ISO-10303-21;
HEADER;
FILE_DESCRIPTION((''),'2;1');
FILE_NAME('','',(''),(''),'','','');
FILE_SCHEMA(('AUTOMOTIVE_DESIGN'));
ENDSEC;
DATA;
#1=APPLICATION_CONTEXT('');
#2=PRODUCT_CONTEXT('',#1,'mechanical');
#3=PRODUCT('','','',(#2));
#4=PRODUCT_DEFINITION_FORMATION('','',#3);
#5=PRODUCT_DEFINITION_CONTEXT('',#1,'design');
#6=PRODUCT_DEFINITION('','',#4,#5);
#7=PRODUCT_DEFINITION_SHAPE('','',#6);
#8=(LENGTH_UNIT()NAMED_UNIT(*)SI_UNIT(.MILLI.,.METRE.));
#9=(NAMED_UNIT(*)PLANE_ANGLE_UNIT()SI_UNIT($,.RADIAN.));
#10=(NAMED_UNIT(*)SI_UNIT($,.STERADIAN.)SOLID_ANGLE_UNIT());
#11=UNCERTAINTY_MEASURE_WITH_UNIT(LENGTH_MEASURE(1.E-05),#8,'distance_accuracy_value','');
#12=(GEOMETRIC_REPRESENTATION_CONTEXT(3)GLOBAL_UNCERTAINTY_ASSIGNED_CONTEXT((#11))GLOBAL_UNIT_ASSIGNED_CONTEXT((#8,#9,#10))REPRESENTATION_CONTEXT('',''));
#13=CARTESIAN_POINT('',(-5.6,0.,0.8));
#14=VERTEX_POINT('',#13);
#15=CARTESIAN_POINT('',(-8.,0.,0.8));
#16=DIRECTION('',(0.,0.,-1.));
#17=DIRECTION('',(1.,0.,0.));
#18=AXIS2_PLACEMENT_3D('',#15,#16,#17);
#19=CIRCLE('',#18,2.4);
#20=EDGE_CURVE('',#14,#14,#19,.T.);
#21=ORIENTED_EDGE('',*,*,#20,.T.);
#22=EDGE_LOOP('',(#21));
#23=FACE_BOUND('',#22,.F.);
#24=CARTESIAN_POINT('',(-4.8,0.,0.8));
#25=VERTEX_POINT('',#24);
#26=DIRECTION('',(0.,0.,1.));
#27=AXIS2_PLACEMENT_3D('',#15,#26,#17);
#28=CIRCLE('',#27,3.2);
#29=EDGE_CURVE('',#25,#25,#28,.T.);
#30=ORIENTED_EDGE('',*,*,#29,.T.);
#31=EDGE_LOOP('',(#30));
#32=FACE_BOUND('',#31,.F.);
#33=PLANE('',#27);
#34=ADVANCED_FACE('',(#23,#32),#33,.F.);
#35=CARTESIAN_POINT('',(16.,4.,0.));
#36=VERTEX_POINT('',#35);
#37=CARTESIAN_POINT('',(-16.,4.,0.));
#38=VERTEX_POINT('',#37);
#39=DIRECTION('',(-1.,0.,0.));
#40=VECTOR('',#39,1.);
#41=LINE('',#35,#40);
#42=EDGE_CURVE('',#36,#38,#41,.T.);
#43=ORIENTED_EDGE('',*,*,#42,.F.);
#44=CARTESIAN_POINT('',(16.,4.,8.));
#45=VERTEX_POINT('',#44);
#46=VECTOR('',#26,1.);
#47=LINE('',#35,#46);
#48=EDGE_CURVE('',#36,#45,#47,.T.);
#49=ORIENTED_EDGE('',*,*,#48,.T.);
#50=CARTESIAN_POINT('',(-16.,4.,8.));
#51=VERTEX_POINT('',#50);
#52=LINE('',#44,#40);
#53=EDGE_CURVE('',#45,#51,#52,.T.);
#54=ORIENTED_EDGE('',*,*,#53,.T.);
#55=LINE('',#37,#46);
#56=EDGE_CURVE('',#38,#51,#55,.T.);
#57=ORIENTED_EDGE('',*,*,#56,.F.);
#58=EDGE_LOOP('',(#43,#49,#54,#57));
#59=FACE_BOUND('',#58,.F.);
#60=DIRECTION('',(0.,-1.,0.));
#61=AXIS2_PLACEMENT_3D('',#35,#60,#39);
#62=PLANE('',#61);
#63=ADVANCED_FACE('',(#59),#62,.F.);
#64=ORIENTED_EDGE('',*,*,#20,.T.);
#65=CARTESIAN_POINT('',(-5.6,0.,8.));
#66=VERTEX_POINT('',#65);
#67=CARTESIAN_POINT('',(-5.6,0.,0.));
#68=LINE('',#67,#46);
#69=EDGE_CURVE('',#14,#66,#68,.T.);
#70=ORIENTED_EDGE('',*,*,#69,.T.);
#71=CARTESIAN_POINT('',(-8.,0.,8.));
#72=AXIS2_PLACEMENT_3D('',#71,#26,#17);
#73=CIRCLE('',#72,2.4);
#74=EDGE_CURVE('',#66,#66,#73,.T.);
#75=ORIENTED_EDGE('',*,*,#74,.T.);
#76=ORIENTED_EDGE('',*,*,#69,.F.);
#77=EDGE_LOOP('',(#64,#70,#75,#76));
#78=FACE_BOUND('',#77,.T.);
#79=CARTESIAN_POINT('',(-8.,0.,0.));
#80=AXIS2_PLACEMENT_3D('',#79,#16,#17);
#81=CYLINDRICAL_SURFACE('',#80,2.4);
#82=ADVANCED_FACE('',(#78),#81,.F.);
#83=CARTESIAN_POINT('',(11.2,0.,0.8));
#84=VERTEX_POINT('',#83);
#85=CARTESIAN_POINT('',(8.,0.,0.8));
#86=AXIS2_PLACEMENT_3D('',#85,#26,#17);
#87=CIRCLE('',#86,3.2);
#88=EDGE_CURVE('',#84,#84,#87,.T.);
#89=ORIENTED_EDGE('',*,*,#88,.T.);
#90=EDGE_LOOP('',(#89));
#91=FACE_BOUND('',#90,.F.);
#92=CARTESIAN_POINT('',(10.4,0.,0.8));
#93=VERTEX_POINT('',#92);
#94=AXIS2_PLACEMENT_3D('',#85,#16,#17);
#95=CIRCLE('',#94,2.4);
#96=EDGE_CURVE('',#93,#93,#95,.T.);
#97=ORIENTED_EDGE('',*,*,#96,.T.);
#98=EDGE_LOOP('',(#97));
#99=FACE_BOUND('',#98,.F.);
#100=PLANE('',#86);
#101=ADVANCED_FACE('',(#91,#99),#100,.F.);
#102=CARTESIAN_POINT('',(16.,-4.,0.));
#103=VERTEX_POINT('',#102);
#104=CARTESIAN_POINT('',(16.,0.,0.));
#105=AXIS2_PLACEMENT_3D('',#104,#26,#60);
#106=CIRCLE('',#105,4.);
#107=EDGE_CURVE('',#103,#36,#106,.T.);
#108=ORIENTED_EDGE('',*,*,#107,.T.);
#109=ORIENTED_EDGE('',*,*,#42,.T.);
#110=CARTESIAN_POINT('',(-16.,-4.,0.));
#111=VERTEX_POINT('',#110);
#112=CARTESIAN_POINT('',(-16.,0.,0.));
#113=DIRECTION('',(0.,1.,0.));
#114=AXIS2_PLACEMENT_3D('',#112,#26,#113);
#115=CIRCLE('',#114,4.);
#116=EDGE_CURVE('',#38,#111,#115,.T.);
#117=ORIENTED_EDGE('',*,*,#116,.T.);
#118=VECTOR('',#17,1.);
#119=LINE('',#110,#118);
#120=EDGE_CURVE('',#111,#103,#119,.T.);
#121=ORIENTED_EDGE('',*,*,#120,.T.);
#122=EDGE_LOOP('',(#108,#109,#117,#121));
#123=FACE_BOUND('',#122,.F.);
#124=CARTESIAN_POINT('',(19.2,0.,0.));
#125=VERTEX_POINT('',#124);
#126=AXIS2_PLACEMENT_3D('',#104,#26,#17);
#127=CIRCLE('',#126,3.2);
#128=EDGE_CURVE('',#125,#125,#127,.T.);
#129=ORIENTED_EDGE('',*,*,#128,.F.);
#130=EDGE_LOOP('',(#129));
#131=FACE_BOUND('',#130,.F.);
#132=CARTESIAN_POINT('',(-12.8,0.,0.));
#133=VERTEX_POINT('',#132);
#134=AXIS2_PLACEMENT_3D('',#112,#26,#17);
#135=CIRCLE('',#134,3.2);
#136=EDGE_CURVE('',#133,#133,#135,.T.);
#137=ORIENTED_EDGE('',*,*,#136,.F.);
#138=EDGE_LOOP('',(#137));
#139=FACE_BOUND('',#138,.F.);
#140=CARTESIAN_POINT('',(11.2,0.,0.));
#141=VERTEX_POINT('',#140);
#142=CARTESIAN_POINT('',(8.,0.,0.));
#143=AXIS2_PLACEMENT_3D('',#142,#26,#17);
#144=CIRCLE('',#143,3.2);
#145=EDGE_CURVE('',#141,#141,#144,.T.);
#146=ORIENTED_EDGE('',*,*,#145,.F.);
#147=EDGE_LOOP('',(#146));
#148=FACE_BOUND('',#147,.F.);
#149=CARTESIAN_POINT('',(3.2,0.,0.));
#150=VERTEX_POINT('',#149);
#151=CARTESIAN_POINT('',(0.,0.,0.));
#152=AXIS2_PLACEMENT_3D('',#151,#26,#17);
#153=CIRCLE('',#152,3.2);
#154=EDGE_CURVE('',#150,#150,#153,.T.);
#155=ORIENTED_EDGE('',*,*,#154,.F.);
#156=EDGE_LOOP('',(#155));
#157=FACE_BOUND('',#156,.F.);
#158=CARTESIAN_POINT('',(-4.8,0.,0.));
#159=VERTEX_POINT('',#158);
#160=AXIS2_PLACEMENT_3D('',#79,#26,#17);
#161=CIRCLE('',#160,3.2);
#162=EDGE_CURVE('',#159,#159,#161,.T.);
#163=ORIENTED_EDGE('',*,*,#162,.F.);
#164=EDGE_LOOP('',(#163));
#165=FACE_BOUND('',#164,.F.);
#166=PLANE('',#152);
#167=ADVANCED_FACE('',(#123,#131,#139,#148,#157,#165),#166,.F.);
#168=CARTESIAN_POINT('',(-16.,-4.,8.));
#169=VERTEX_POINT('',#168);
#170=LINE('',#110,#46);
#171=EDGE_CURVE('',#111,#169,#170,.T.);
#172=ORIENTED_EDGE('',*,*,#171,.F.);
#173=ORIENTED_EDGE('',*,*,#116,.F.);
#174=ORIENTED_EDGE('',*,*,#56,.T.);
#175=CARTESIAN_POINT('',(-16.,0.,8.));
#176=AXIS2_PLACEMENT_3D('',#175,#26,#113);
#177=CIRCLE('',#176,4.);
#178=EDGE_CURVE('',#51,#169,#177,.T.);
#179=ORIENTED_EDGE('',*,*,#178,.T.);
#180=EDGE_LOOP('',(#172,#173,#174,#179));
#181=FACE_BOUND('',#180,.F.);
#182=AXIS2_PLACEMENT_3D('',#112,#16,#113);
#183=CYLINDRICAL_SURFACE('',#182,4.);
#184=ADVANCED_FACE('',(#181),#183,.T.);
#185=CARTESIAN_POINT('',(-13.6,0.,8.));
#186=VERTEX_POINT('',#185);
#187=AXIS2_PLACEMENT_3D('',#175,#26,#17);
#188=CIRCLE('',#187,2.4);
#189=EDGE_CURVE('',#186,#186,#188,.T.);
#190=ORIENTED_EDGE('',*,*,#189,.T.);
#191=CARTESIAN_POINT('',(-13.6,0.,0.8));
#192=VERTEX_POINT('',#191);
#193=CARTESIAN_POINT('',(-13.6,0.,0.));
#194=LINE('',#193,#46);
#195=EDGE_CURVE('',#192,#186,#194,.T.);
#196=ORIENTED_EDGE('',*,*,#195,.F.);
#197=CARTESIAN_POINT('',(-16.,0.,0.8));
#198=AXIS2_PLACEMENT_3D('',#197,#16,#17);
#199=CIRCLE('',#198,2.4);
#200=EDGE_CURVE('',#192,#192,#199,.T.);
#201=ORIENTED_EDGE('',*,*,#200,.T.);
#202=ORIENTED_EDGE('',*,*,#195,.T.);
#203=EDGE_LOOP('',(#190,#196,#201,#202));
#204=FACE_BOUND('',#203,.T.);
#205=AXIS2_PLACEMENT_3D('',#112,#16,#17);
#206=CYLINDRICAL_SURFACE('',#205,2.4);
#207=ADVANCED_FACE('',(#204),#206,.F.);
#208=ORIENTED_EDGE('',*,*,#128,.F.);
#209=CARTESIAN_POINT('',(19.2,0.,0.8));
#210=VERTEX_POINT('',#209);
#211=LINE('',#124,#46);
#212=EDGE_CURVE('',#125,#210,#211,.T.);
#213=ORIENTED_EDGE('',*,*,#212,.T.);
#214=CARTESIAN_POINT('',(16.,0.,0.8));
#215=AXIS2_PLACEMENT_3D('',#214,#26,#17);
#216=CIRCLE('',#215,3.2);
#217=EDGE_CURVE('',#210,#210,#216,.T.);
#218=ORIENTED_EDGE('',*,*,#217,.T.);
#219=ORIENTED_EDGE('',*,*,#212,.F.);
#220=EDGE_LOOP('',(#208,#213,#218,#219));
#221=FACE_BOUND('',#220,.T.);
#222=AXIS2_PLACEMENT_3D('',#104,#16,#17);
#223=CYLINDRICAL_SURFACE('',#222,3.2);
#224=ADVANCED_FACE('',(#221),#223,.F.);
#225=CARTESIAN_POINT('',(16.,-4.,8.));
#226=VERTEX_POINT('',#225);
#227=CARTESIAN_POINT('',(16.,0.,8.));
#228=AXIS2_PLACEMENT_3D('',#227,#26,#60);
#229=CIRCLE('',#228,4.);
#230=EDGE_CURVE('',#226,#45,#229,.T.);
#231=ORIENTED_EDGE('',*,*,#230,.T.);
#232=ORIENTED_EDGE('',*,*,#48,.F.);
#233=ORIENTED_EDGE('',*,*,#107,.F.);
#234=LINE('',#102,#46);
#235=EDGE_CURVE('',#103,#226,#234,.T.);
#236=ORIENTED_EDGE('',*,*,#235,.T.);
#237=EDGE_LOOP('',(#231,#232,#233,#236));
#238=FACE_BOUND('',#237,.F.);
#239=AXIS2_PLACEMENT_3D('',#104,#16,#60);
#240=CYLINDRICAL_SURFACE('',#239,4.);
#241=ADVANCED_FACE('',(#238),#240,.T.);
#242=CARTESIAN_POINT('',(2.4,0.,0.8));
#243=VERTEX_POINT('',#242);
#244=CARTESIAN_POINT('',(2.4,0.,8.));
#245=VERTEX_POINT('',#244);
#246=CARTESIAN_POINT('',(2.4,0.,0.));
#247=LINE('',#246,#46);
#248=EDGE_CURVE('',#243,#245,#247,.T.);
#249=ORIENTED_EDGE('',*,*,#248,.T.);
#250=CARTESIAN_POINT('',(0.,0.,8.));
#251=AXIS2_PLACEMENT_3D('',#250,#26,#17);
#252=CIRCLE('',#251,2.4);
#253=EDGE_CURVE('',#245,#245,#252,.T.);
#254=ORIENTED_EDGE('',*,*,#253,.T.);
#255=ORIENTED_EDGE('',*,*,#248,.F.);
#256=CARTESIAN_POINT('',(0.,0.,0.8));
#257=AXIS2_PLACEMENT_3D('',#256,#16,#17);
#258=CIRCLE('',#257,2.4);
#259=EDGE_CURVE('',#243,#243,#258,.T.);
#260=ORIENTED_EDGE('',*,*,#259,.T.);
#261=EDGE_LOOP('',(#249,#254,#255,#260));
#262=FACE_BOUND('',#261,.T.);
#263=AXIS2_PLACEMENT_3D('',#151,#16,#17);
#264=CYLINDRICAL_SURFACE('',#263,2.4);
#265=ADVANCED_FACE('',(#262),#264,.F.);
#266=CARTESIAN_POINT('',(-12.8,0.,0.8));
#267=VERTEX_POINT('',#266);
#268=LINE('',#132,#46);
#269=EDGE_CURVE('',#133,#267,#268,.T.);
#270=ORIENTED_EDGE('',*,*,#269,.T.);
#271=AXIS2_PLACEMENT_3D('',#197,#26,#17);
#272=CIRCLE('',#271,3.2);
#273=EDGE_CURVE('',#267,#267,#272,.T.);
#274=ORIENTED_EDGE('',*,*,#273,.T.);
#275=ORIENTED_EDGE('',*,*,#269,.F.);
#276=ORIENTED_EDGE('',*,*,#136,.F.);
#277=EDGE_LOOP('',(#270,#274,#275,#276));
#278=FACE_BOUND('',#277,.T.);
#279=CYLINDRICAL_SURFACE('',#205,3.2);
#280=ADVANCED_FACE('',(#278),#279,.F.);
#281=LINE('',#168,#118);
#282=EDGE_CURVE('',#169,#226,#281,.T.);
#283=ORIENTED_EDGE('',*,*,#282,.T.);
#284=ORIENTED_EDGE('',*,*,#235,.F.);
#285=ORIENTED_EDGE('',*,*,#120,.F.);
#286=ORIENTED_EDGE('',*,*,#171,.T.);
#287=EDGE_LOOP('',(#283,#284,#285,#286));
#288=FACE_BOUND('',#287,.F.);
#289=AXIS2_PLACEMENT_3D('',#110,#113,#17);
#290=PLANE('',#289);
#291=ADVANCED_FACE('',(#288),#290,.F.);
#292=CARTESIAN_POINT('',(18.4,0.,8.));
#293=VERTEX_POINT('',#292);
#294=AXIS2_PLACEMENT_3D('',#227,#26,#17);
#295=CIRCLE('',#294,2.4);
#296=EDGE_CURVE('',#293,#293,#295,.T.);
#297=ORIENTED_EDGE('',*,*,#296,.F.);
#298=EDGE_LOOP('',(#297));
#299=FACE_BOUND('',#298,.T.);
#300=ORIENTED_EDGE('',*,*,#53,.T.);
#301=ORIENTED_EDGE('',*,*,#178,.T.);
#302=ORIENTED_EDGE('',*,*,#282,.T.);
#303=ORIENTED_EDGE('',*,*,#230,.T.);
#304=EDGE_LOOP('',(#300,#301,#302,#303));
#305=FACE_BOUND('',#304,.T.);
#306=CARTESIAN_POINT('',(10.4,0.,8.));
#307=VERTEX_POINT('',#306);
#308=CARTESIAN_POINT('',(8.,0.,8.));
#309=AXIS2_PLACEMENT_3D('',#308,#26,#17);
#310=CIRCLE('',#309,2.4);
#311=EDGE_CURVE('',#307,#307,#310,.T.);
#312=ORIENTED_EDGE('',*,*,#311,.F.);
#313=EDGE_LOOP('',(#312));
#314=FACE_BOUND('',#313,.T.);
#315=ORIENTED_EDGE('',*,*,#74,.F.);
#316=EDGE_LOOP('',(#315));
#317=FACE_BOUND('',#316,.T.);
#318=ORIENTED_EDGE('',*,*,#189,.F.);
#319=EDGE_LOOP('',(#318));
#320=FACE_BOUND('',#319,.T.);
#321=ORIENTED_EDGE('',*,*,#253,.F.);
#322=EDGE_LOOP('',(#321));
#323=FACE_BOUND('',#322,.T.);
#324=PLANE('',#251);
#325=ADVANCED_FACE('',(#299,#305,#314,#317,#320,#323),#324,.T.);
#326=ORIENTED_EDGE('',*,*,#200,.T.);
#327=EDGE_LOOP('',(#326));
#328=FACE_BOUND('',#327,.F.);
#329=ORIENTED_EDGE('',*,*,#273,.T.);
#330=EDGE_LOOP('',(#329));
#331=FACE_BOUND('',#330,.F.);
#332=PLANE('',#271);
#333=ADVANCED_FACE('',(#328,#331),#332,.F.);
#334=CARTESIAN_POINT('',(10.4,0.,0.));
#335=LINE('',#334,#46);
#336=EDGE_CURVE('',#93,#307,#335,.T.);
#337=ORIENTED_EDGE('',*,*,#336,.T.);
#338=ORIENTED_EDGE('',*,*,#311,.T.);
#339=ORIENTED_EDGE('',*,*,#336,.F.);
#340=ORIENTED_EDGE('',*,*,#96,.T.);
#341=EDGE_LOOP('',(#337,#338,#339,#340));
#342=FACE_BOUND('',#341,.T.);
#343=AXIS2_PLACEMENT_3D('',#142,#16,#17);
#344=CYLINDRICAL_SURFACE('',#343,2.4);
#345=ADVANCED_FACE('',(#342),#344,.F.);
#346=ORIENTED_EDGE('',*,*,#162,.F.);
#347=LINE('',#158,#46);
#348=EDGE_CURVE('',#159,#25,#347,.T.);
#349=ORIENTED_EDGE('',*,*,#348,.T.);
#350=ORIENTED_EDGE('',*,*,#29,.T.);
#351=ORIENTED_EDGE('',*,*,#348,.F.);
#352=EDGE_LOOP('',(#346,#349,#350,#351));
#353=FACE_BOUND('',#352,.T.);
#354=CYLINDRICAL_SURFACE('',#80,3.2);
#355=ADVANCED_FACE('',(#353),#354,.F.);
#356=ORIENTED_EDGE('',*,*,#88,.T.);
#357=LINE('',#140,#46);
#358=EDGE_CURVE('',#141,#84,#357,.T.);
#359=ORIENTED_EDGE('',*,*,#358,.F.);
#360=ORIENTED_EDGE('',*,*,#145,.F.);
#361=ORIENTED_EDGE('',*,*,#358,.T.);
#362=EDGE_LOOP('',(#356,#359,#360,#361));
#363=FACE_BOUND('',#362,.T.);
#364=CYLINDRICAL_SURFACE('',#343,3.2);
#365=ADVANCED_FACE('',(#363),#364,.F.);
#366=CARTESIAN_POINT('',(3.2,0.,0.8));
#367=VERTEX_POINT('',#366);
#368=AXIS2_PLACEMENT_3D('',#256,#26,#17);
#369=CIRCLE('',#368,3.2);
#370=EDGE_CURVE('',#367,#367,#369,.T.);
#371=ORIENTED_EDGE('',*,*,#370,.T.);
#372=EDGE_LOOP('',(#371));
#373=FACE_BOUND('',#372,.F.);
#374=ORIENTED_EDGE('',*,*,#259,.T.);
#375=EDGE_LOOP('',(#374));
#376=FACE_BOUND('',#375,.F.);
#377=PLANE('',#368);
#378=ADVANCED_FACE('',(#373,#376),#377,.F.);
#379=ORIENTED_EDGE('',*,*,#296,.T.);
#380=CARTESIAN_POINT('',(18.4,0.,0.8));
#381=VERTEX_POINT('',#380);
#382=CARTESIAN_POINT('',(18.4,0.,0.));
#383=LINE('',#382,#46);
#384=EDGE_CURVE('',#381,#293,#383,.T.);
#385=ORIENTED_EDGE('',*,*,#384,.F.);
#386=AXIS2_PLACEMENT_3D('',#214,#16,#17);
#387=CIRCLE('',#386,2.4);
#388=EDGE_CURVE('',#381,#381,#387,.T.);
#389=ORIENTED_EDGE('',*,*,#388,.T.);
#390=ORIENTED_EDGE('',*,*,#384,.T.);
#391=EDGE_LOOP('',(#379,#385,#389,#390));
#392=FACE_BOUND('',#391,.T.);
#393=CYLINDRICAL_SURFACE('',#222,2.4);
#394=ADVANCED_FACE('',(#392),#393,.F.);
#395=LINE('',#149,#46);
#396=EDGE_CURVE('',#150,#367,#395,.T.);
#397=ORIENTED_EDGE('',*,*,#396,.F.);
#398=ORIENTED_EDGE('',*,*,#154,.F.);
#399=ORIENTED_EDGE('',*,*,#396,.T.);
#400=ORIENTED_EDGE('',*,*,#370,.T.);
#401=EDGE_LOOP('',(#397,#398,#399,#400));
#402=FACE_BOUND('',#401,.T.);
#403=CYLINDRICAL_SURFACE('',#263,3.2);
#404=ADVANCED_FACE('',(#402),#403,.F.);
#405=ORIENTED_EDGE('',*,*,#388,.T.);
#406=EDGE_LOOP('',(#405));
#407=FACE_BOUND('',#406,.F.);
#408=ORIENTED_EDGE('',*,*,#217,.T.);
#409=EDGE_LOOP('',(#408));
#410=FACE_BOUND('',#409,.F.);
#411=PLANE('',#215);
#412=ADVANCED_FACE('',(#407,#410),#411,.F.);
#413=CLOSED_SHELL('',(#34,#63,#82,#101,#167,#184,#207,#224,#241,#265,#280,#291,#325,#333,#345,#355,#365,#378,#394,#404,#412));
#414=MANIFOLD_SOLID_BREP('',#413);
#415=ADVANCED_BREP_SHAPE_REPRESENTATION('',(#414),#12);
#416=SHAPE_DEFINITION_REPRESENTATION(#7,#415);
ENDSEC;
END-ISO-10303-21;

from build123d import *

# Parameters (mm, degrees)
SKETCH_R     = 2.4
PAD_DEPTH    = 8
SKETCH001_R  = 3.2
POCKET_DEPTH = 0.8


with BuildPart() as part:
    # Sketch → Pad (new body)
    with BuildSketch(Plane.XY):
        with BuildLine():
            ThreePointArc((-16, 4), (-20, 0), (-16, -4))
            Line((-16, -4), (16, -4))
            ThreePointArc((16, -4), (20, 0), (16, 4))
            Line((16, 4), (-16, 4))
        make_face()
        with Locations((-16, 0)):
            Circle(SKETCH_R, mode=Mode.SUBTRACT)
        with Locations((16, 0)):
            Circle(SKETCH_R, mode=Mode.SUBTRACT)
        with Locations((8, 0)):
            Circle(SKETCH_R, mode=Mode.SUBTRACT)
        with Locations((-8, 0)):
            Circle(SKETCH_R, mode=Mode.SUBTRACT)
        Circle(SKETCH_R, mode=Mode.SUBTRACT)
    extrude(amount=PAD_DEPTH)

    # Sketch001 → Pocket (cut)
    with BuildSketch(Plane.XY):
        Circle(SKETCH001_R)
        with Locations((-16, 0)):
            Circle(SKETCH001_R)
        with Locations((-8, 0)):
            Circle(SKETCH001_R)
        with Locations((8, 0)):
            Circle(SKETCH001_R)
        with Locations((16, 0)):
            Circle(SKETCH001_R)
    extrude(amount=POCKET_DEPTH, mode=Mode.SUBTRACT)


solid = part.part
